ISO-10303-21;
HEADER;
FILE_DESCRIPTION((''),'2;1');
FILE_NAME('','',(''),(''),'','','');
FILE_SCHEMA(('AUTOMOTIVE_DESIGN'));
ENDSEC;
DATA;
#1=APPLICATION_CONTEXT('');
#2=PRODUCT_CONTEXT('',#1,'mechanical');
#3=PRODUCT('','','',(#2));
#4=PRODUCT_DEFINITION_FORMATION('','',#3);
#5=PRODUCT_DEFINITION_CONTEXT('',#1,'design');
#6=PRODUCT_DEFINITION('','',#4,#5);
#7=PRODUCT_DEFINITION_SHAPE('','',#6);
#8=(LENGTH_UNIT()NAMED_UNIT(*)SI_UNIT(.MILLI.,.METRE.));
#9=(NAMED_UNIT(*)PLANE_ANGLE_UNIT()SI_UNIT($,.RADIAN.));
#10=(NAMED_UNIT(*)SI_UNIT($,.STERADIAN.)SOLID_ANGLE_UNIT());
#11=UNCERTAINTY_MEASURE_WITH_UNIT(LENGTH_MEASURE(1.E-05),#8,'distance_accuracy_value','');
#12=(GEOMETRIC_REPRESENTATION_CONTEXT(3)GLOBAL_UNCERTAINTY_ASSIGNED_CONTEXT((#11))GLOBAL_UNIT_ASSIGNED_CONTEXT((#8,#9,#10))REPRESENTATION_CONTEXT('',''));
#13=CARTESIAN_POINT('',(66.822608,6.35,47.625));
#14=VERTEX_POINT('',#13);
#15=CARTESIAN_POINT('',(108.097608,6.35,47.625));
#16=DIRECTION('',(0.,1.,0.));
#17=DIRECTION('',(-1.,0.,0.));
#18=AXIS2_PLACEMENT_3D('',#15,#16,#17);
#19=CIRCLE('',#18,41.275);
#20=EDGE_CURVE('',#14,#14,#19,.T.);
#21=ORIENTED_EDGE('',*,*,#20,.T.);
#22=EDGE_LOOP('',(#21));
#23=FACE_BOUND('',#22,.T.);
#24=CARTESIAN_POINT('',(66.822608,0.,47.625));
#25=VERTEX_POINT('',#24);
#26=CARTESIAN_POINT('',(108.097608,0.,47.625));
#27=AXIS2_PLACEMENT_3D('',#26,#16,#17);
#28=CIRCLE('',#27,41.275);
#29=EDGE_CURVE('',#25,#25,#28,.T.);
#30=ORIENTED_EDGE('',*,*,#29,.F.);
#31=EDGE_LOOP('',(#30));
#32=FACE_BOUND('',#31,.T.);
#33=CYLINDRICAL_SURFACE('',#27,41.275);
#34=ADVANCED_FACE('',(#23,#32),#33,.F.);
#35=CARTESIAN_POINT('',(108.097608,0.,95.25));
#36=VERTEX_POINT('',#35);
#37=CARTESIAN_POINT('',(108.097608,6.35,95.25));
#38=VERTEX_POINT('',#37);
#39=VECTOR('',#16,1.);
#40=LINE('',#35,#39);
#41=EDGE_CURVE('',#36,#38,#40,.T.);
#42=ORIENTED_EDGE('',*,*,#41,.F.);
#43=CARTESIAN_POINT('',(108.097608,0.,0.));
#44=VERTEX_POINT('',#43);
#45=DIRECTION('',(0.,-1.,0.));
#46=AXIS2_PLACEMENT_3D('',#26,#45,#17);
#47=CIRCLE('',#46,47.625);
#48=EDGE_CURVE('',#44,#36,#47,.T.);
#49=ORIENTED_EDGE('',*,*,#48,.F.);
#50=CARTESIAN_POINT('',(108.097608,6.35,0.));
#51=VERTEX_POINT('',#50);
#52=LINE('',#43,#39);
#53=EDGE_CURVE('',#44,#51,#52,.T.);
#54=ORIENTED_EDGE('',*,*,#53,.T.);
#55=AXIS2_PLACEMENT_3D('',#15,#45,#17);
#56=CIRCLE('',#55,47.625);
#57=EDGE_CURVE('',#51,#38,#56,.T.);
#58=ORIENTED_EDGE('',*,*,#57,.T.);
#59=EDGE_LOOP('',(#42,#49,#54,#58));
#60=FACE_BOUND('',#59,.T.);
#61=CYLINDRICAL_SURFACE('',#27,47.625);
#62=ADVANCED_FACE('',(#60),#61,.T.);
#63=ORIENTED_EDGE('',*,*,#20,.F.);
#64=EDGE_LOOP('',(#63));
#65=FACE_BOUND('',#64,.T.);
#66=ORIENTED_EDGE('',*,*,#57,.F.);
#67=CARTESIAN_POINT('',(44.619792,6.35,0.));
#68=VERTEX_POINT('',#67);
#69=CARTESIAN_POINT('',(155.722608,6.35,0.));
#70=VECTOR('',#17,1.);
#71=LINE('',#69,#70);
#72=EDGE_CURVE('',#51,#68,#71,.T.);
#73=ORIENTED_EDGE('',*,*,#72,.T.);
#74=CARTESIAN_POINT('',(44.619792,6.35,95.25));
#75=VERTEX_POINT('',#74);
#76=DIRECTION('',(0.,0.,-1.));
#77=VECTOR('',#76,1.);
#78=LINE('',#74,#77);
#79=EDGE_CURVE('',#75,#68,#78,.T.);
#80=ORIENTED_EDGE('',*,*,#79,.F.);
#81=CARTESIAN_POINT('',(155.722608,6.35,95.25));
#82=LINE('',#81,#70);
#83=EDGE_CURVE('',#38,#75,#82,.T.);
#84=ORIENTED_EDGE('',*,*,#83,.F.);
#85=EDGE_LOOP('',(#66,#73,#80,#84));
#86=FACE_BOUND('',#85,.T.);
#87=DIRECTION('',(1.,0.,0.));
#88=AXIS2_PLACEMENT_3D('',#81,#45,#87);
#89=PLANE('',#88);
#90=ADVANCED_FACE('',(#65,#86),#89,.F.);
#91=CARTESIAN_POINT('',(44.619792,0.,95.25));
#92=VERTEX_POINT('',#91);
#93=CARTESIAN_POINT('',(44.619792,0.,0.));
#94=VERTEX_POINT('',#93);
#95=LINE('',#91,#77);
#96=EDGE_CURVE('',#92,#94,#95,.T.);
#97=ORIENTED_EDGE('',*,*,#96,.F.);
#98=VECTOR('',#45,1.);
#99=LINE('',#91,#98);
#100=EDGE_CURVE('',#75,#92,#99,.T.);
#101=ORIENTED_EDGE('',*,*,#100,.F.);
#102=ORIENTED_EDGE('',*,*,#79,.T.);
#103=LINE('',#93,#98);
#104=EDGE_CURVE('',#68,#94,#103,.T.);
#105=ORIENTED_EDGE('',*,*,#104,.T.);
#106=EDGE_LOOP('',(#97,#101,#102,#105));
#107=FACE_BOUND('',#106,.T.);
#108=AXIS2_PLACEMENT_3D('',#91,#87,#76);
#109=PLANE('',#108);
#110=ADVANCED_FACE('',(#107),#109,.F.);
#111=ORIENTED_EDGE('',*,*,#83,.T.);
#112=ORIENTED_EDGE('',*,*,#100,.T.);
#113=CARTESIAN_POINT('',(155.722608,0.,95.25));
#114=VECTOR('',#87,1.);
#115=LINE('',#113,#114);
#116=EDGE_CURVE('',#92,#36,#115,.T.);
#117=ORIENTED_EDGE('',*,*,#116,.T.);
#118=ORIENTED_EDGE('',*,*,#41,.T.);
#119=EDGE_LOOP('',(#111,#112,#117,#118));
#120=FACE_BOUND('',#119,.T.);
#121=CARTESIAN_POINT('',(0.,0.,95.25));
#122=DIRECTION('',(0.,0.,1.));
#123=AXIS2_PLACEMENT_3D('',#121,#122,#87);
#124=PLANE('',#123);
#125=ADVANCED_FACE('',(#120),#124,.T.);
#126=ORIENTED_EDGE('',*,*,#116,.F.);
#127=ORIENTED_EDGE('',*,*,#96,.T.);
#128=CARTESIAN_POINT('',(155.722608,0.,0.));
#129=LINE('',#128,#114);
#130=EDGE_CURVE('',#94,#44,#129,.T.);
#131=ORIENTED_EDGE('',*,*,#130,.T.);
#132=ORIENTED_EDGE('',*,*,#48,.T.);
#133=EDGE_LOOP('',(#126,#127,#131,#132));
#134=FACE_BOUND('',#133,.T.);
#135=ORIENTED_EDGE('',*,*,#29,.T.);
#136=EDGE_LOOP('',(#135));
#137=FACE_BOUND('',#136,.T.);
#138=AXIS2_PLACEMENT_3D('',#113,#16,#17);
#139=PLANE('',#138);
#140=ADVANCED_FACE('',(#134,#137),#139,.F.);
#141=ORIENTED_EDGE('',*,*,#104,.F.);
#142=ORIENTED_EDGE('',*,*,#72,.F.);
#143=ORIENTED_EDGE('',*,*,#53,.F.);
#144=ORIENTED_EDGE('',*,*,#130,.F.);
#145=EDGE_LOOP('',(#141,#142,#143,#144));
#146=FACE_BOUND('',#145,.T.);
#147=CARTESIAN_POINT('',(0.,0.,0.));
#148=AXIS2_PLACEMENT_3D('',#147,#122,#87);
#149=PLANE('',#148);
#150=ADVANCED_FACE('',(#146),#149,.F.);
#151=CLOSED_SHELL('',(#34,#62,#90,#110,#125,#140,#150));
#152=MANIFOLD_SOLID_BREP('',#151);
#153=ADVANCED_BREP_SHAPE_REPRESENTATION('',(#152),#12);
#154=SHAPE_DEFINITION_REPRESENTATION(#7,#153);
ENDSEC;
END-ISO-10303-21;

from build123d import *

# Parameters (mm, degrees)
SKETCH2_W           = 111.10281597
SKETCH2_H           = 6.35
BOSS_EXTRUDE1_DEPTH = 95.25
SKETCH3_R           = 41.275
CUT_EXTRUDE2_DEPTH  = 7.35
CUT_EXTRUDE3_DEPTH  = 7.35


with BuildPart() as part:
    # Sketch2 → Boss-Extrude1 (new body)
    with BuildSketch(Plane.XY):
        with Locations((100.171199764, 3.175)):
            Rectangle(SKETCH2_W, SKETCH2_H)
    extrude(amount=BOSS_EXTRUDE1_DEPTH)

    # Sketch3 → Cut-Extrude2 (cut, through all)
    with BuildSketch(Plane(origin=(0, 6.35, 0), x_dir=(1, 0, 0), z_dir=(0, 1, 0))):
        with Locations((108.097607749, -47.625)):
            Circle(SKETCH3_R)
    extrude(amount=-CUT_EXTRUDE2_DEPTH, mode=Mode.SUBTRACT)

    # Sketch4 → Cut-Extrude3 (cut, through all)
    with BuildSketch(Plane(origin=(0, 6.35, 0), x_dir=(1, 0, 0), z_dir=(0, 1, 0))):
        with BuildLine():
            Line((108.097607749, -95.25), (179.051442703, -95.25))
            Line((179.051442703, -95.25), (179.051442703, 0))
            Line((179.051442703, 0), (108.097607749, 0))
            ThreePointArc((108.097607749, 0), (155.722607749, -47.625), (108.097607749, -95.25))
        make_face()
    extrude(amount=-CUT_EXTRUDE3_DEPTH, mode=Mode.SUBTRACT)


solid = part.part
